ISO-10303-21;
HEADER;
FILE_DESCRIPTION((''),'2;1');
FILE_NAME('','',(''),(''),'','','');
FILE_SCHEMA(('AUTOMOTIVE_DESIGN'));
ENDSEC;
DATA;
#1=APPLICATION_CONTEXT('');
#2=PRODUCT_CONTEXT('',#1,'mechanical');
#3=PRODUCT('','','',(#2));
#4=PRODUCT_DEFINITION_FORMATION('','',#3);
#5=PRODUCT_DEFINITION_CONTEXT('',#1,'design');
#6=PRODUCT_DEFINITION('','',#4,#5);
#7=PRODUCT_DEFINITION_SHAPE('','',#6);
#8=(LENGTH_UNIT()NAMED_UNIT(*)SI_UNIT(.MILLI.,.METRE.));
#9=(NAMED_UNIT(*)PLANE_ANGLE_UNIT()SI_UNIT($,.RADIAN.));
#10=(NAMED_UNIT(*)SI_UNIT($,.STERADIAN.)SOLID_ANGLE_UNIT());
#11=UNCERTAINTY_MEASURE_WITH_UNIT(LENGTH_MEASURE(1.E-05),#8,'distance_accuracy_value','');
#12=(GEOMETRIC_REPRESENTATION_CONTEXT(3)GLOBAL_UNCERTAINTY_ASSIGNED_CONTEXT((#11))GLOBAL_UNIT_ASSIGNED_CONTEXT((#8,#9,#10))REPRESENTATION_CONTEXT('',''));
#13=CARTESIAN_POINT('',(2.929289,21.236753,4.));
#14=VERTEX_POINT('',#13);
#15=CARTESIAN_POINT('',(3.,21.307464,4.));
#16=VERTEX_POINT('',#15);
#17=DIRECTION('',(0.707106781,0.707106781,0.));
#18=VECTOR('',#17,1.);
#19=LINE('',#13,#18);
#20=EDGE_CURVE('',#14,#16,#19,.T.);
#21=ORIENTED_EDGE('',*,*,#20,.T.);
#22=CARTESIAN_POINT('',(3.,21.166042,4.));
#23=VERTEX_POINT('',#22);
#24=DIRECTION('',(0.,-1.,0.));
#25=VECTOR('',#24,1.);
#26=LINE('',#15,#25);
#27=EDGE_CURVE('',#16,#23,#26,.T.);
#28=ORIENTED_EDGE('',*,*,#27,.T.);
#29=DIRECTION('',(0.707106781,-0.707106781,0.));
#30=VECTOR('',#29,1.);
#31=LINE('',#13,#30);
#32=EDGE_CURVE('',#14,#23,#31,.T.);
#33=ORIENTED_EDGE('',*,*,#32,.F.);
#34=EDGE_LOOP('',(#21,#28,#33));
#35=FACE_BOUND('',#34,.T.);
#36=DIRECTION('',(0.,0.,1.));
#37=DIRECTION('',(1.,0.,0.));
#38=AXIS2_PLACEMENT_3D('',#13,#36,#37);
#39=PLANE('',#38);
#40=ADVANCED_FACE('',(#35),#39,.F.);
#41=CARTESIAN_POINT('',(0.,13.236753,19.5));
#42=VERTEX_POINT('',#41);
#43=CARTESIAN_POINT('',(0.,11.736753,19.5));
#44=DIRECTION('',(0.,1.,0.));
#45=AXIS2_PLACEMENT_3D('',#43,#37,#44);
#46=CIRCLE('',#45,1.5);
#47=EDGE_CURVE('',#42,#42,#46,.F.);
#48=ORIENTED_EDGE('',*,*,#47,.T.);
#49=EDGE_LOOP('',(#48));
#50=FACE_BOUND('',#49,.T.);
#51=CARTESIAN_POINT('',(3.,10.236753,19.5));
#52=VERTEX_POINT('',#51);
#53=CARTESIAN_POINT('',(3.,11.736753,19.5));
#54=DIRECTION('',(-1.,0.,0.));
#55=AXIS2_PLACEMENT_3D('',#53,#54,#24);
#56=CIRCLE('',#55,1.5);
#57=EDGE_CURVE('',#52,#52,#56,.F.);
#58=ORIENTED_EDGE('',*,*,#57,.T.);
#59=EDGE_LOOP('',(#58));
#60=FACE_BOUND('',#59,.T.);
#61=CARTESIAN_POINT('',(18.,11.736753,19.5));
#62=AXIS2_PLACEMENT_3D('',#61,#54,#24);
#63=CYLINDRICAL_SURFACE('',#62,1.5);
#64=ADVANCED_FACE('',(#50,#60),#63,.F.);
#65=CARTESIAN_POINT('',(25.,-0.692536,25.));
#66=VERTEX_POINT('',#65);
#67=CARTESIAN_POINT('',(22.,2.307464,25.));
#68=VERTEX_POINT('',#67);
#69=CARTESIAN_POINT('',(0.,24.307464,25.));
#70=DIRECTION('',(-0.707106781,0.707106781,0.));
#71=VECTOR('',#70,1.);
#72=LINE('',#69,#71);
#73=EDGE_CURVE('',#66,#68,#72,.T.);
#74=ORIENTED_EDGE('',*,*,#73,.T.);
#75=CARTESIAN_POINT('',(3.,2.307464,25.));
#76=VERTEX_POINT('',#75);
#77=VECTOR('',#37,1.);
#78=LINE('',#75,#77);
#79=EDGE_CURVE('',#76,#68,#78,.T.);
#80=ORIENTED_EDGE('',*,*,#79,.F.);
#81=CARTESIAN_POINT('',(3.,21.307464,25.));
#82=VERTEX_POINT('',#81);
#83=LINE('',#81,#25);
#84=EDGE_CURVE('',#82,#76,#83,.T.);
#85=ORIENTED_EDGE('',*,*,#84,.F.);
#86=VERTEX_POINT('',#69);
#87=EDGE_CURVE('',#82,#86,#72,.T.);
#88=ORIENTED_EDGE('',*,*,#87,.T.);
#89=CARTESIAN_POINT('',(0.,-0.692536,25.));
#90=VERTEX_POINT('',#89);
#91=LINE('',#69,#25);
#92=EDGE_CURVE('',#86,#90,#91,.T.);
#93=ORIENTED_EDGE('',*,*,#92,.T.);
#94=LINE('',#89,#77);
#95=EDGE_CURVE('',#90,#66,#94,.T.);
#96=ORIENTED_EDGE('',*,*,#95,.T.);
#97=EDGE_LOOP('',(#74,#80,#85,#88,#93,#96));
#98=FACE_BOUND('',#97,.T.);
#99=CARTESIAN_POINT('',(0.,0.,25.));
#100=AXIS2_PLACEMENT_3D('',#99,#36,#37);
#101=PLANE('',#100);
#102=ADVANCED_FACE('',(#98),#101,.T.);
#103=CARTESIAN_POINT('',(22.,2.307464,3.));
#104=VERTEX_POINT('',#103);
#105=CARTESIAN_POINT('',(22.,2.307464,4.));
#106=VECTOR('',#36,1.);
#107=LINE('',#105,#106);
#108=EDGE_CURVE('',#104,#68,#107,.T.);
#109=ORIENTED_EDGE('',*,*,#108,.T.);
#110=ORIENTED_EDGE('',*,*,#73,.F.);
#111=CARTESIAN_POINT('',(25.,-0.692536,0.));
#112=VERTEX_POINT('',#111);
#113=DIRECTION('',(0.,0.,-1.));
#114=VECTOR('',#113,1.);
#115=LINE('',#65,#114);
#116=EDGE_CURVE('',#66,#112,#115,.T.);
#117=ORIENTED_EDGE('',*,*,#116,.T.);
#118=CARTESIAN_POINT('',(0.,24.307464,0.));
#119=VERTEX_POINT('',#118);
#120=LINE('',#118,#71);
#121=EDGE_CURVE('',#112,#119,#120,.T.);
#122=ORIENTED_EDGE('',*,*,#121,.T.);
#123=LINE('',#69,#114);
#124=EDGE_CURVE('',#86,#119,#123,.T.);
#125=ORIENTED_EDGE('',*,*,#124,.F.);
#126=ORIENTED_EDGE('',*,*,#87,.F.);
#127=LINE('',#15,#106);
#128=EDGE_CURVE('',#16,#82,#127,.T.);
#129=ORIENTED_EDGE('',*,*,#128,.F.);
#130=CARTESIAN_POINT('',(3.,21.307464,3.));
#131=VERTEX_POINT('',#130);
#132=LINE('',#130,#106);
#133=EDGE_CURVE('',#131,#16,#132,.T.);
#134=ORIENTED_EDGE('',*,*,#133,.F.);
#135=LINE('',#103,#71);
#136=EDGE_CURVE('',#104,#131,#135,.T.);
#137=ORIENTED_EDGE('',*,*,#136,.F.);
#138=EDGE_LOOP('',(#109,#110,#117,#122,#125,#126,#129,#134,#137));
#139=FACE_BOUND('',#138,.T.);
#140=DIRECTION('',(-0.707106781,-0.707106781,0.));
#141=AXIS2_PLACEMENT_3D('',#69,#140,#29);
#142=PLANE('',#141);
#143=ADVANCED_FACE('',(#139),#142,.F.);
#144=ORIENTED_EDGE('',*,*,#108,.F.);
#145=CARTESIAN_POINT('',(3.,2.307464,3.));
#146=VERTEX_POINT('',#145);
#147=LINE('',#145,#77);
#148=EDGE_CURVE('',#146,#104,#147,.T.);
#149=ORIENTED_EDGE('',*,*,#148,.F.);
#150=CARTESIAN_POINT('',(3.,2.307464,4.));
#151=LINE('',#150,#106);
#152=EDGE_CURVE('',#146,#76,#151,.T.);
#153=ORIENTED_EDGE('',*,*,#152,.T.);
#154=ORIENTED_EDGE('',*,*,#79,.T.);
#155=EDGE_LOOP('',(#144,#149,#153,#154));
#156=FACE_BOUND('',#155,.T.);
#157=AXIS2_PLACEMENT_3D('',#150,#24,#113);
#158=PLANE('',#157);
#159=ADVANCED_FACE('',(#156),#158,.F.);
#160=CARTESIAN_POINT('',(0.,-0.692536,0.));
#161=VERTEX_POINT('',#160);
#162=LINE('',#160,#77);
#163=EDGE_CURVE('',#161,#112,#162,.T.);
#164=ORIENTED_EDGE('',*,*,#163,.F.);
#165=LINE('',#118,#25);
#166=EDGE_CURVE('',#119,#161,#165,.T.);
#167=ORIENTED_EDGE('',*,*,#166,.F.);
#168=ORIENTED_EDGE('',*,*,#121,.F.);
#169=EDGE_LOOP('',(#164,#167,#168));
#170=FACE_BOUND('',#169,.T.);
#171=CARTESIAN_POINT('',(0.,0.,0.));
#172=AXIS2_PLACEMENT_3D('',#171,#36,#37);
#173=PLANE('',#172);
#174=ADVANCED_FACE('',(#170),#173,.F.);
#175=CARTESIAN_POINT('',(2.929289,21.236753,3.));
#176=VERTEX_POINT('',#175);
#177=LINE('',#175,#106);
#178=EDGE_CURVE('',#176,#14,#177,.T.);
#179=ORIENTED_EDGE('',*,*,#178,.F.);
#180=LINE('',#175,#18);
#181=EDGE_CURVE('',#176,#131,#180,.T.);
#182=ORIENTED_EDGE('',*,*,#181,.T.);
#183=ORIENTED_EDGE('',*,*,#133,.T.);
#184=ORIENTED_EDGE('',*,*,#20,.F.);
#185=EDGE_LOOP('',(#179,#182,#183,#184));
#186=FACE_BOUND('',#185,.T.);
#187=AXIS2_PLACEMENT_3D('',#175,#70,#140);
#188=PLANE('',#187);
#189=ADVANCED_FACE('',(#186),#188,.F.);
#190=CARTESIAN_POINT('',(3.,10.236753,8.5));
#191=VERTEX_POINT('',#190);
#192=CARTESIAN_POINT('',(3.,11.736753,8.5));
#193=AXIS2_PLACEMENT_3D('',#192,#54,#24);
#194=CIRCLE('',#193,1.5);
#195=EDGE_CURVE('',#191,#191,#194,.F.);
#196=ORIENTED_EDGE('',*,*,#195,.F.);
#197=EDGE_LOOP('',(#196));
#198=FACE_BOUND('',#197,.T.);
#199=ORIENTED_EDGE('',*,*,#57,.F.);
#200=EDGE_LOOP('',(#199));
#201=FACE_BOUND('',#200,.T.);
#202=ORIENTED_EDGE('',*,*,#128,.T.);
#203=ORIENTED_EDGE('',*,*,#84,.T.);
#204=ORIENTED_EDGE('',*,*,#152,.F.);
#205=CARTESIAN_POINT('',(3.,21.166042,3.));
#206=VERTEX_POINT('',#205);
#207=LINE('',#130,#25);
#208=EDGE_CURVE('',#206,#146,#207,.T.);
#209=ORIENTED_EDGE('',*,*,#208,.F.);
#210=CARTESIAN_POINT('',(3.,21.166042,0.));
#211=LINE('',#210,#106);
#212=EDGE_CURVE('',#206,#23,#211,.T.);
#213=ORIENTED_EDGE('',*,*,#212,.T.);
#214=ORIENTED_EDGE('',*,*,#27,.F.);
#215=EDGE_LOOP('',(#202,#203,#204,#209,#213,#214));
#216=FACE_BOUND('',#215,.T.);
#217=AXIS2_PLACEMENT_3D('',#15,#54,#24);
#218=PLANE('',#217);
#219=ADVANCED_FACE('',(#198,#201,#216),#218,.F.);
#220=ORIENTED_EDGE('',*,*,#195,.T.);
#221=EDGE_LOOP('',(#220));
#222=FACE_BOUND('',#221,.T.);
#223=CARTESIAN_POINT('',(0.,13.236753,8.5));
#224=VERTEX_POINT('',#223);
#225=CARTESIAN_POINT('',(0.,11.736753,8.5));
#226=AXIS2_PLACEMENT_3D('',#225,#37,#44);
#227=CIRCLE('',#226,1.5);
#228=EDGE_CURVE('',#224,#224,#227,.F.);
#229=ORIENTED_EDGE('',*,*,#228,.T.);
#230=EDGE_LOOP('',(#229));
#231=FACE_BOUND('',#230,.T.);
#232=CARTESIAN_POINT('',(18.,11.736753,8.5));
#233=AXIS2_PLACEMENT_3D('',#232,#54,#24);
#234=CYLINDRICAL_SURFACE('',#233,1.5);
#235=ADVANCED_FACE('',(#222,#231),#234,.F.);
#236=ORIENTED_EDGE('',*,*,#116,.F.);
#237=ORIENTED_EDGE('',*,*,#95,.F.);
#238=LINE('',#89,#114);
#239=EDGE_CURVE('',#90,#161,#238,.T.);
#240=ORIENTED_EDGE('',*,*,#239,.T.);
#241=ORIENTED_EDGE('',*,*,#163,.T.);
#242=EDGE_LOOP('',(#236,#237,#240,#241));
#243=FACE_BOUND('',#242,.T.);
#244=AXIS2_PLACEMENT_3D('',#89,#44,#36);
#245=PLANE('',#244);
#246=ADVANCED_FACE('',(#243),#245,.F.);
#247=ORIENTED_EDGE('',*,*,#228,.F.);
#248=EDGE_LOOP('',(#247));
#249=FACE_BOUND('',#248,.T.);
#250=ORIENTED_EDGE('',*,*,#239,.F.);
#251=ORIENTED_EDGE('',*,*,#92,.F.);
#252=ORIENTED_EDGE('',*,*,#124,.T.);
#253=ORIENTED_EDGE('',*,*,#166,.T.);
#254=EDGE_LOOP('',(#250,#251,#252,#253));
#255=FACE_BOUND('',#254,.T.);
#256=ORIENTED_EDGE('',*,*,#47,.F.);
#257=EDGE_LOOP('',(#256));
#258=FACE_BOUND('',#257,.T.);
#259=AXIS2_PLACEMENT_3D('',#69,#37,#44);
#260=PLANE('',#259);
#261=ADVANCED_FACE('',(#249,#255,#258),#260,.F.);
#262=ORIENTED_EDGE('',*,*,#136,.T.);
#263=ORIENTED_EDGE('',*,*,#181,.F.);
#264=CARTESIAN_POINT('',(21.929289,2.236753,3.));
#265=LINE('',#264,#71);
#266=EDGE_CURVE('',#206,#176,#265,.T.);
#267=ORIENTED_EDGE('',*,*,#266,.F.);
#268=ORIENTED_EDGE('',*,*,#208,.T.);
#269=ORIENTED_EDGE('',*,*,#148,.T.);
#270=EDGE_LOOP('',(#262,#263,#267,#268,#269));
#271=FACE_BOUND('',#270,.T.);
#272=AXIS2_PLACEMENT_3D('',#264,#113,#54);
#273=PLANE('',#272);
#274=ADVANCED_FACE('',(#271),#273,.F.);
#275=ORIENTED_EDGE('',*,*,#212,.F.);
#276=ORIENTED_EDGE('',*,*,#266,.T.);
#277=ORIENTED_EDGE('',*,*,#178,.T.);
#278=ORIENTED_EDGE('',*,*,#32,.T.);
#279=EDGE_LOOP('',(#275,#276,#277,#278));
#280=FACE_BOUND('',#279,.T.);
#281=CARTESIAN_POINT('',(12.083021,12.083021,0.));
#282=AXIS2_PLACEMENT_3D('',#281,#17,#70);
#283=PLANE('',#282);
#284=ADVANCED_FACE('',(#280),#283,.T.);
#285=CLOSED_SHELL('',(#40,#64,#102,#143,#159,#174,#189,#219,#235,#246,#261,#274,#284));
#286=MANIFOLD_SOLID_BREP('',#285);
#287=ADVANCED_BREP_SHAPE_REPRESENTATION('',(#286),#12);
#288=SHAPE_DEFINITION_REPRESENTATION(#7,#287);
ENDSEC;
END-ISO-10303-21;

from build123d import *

# Parameters (mm, degrees)
BOSS_EXTRUDE2_DEPTH     = 25
CUT_EXTRUDE1_DEPTH      = 21
SKETCH3_W               = 26.870057685
SKETCH3_H               = 1
CUT_EXTRUDE3_DEPTH      = 0.1
CUT_EXTRUDE4_DEPTH      = 1
BOSS_EXTRUDE3_DEPTH     = 1
CUT_EXTRUDE5_DEPTH      = 15
CUT_EXTRUDE5_DEPTH_BACK = 18
SKETCH8_R               = 1.5


with BuildPart() as part:
    # Sketch1 → Boss-Extrude2 (new body)
    with BuildSketch(Plane.XY):
        Polygon((0, 24.307463671), (0, -0.692536329), (25, -0.692536329), align=None)
    extrude(amount=BOSS_EXTRUDE2_DEPTH)

    # Sketch2 → Cut-Extrude1 (cut)
    with BuildSketch(Plane.XY.offset(25)):
        Polygon((3, 21.307463671), (3, 2.307463671), (22, 2.307463671), align=None)
    extrude(amount=-CUT_EXTRUDE1_DEPTH, mode=Mode.SUBTRACT)

    # Sketch3 → Cut-Extrude3 (cut)
    with BuildSketch(Plane(origin=(12.153731836, 12.153731836, 0), x_dir=(0.7071067811865475, -0.7071067811865477, 0), z_dir=(0.7071067811865477, 0.7071067811865475, 0))):
        with Locations((0.489697135, -3.5)):
            Rectangle(SKETCH3_W, SKETCH3_H)
    extrude(amount=-CUT_EXTRUDE3_DEPTH, mode=Mode.SUBTRACT)

    # Sketch4 → Cut-Extrude4 (cut)
    with BuildSketch(Plane.XY.offset(4)):
        Polygon((3, 21.307463671), (3, 2.307463671), (22, 2.307463671), align=None)
    extrude(amount=-CUT_EXTRUDE4_DEPTH, mode=Mode.SUBTRACT)

    # Sketch5 → Boss-Extrude3 (add)
    with BuildSketch(Plane.XY.offset(3)):
        Polygon((22, 2.307463671), (21.858578644, 2.307463671), (21.929289322, 2.236752993), align=None)
    extrude(amount=BOSS_EXTRUDE3_DEPTH)

    # Sketch8 → Cut-Extrude5 (cut, two sides: drawn at the far end of the back side and taken through both)
    with BuildSketch(Plane(origin=(3, 0, 0), x_dir=(0, 0, -1), z_dir=(1, 0, 0)).offset(-CUT_EXTRUDE5_DEPTH_BACK)):
        with Locations(Location((-8.5, 11.736752993, 0), (0, 0, 270))):
            Circle(SKETCH8_R)
        with Locations(Location((-19.5, 11.736752993, 0), (0, 0, 270))):
            Circle(SKETCH8_R)
    extrude(amount=CUT_EXTRUDE5_DEPTH + CUT_EXTRUDE5_DEPTH_BACK, mode=Mode.SUBTRACT)


solid = part.part
